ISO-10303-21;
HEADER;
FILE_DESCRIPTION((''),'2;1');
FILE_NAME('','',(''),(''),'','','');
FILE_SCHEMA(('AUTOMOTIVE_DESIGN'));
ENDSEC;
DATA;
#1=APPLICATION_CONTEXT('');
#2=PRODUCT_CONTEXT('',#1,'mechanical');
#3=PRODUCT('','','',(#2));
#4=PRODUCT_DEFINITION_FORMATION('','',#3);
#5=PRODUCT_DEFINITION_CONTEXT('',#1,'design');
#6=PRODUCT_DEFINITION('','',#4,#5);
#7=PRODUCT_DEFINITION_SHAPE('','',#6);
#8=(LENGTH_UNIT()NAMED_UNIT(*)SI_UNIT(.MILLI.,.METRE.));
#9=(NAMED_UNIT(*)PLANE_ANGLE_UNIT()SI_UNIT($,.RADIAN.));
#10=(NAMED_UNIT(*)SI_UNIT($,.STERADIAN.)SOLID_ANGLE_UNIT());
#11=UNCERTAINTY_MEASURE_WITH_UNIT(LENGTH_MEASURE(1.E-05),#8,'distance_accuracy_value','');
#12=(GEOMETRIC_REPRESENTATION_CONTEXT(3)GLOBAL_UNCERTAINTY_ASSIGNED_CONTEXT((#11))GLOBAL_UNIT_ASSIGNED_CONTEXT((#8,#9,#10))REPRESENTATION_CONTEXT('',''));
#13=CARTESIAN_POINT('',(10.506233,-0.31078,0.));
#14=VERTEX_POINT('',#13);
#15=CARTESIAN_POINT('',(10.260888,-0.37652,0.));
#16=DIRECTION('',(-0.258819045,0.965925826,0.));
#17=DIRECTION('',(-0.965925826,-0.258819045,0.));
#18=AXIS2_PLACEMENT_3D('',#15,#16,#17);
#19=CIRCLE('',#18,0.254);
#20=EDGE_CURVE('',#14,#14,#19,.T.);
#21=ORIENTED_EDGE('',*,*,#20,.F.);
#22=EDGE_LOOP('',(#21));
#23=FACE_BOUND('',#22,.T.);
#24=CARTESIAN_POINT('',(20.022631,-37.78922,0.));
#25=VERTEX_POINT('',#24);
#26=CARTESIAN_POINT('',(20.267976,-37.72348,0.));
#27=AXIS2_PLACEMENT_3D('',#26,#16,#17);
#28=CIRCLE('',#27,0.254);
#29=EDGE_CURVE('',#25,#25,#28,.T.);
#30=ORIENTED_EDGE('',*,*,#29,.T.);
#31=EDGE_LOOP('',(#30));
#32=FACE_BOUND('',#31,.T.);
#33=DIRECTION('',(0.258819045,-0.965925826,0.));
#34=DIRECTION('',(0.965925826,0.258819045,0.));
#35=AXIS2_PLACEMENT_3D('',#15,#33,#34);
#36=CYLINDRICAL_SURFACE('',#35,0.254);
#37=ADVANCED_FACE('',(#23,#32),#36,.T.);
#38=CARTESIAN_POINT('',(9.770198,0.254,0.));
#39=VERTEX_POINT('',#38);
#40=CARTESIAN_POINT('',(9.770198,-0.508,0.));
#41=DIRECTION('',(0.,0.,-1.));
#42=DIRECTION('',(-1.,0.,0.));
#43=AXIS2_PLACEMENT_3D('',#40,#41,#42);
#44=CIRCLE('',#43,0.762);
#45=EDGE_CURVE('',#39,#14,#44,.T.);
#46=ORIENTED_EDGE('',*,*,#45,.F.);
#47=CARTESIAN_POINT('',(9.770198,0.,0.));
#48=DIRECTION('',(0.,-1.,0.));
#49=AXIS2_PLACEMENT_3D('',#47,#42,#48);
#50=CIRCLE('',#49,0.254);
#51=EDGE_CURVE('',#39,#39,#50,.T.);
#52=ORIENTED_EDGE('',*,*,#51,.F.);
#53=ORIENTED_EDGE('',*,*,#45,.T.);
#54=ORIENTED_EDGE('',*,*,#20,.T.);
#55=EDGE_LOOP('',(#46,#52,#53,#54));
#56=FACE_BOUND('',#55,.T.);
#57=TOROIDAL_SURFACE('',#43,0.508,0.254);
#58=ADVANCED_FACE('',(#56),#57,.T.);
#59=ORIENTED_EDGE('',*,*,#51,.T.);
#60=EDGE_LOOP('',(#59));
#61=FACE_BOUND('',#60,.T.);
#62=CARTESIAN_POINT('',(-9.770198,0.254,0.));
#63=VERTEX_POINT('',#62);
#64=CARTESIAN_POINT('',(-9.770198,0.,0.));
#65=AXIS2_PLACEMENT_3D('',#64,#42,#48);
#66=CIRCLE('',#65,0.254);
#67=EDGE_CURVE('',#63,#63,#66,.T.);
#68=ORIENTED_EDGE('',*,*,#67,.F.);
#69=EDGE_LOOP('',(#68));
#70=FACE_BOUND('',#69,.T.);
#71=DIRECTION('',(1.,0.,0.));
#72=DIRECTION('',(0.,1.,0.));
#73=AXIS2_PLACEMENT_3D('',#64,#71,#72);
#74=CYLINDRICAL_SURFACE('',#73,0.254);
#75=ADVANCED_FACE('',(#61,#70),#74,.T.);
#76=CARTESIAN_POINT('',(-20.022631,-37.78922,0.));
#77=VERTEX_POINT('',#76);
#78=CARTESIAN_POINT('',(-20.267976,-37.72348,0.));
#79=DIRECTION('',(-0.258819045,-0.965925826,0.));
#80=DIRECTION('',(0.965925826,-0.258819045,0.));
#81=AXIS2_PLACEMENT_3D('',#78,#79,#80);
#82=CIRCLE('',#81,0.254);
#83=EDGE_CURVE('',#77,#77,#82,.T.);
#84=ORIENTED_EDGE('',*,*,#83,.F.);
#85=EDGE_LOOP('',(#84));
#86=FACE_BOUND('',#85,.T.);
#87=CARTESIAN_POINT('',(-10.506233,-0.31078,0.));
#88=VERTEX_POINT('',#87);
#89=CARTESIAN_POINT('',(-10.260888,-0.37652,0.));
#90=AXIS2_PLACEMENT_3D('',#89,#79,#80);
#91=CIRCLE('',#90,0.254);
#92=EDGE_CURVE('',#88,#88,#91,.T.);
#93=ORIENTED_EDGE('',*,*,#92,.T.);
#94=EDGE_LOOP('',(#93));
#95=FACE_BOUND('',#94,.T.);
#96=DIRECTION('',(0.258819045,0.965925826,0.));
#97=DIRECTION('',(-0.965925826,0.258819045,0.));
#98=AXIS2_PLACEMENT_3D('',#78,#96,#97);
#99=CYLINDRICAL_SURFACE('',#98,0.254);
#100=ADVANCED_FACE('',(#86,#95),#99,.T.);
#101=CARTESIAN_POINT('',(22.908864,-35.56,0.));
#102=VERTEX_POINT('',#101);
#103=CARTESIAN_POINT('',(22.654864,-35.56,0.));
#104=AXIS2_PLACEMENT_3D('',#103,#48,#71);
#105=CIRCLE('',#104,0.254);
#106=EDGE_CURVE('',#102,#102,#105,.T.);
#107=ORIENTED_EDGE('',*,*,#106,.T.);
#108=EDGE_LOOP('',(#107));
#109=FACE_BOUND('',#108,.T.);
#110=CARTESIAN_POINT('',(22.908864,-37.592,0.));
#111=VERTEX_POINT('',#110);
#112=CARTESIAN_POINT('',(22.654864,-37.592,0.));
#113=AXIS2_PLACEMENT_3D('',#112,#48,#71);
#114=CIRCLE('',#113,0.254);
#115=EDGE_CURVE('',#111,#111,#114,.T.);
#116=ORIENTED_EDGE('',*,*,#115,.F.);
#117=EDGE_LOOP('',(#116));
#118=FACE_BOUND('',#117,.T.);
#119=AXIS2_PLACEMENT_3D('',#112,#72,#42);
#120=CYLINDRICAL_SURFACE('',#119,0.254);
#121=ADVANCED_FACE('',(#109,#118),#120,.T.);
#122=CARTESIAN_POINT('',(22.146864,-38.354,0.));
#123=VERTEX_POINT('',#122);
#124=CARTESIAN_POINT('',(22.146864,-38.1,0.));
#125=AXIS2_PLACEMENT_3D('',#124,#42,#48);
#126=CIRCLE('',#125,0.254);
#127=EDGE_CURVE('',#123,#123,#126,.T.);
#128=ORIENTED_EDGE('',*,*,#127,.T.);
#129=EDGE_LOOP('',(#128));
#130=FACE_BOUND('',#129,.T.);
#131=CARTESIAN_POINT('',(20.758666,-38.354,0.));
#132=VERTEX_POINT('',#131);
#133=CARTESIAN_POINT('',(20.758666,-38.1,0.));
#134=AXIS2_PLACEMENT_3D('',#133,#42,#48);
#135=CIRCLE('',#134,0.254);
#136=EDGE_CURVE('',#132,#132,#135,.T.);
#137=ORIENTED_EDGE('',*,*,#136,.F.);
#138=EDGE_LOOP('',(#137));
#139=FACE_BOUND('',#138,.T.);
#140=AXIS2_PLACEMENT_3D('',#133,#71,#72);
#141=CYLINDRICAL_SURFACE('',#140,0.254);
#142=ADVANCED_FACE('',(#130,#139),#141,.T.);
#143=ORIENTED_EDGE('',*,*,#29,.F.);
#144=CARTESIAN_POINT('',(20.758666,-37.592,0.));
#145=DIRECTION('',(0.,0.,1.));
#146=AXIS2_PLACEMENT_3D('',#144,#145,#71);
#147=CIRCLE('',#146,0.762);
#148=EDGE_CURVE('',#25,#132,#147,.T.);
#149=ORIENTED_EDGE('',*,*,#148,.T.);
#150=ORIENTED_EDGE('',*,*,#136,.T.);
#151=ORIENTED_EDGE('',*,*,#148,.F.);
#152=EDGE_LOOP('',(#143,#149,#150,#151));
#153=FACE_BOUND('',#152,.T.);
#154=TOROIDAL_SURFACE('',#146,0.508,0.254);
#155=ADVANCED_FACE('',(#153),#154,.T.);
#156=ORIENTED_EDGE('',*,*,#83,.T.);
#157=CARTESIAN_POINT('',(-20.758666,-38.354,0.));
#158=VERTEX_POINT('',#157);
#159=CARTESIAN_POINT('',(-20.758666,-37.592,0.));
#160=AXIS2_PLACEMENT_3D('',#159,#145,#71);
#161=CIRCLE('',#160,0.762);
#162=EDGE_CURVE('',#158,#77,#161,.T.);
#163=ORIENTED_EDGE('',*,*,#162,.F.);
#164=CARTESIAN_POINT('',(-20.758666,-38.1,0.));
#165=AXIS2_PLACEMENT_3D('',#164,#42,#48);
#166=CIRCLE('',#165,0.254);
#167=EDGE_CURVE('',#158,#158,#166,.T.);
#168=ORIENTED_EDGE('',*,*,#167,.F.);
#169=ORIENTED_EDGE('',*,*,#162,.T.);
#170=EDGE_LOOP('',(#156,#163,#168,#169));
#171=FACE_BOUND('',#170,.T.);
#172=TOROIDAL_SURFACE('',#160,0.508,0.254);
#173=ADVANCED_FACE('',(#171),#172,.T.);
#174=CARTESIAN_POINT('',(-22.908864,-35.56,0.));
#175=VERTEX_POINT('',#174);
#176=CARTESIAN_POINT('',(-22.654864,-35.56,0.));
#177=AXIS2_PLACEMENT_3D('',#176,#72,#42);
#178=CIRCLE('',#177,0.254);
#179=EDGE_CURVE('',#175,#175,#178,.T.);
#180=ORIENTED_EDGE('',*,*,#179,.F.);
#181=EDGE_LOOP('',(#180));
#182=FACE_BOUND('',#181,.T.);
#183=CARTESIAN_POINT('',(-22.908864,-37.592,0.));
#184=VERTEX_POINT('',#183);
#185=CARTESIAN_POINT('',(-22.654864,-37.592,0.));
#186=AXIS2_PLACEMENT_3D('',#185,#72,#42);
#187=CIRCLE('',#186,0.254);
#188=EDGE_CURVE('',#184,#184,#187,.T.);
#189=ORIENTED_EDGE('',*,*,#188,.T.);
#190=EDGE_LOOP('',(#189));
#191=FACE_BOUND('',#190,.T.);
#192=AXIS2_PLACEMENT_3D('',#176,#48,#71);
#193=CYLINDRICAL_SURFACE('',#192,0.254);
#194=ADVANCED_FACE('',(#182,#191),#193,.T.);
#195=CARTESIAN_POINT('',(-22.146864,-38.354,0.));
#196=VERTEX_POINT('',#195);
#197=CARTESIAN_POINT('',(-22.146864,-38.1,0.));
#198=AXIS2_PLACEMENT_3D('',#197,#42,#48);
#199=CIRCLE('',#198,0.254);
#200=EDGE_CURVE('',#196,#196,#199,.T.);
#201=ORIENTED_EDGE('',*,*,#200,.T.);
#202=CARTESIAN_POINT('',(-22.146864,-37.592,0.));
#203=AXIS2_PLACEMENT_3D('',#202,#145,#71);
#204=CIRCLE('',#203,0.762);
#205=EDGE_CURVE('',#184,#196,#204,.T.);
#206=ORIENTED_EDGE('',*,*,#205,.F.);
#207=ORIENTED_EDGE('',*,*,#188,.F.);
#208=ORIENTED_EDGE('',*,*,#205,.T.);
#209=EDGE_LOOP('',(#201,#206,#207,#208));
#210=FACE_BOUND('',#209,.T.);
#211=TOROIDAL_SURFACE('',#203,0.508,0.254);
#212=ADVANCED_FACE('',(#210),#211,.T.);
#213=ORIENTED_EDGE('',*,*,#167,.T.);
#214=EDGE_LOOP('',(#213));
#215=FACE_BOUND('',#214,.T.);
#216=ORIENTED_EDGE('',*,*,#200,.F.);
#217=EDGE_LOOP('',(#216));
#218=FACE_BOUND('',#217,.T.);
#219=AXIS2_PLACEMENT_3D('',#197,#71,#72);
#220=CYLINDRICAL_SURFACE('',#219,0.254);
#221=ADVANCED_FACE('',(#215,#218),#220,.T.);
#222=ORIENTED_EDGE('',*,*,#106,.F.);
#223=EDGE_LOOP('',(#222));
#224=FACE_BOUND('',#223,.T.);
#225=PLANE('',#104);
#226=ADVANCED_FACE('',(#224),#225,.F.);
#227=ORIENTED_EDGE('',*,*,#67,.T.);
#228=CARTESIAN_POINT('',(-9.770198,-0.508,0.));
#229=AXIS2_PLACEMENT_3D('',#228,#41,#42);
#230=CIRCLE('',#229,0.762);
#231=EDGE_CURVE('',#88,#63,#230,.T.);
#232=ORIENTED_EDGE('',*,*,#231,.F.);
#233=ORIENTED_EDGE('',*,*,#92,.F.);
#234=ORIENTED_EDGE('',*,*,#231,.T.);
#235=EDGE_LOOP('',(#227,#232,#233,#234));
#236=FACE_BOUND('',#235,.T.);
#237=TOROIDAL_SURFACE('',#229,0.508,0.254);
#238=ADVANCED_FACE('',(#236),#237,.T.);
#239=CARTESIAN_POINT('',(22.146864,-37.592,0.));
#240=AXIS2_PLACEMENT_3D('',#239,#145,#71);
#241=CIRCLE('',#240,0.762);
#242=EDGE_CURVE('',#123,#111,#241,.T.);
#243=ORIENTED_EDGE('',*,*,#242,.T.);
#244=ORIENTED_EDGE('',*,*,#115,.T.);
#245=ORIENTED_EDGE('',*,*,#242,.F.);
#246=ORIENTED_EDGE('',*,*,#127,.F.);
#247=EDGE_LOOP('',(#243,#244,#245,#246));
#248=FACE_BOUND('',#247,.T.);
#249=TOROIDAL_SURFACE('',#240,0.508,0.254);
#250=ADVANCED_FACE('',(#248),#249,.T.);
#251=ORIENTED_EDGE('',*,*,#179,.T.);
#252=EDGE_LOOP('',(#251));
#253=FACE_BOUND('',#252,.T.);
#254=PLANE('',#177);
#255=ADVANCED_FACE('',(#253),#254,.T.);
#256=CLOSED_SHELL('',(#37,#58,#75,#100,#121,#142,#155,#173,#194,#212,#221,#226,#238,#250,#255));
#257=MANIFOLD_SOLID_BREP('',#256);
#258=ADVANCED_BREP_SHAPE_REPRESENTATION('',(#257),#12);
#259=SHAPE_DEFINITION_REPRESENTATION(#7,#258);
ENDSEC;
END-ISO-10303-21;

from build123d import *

# Parameters (mm, degrees)
SWEEP1_PROFILE_R = 0.254


with BuildPart() as part:
    # Sweep1: sweep along a path in Sketch1
    with BuildLine(Plane.XY) as sweep1_path:
        Line((-22.654864232, -35.56), (-22.654864232, -37.592))
        ThreePointArc((-22.654864232, -37.592), (-22.506074476, -37.951210245), (-22.146864232, -38.1))
        Line((-22.146864232, -38.1), (-20.758666342, -38.1))
        ThreePointArc((-20.758666342, -38.1), (-20.449415536, -37.995023497), (-20.267976022, -37.723480075))
        Line((-20.267976022, -37.723480075), (-10.26088821, -0.376519925))
        ThreePointArc((-10.26088821, -0.376519925), (-10.079448696, -0.104976503), (-9.77019789, 0))
        Line((-9.77019789, 0), (9.77019789, 0))
        ThreePointArc((9.77019789, 0), (10.079448696, -0.104976503), (10.26088821, -0.376519925))
        Line((10.26088821, -0.376519925), (20.267976022, -37.723480075))
        ThreePointArc((20.267976022, -37.723480075), (20.449415536, -37.995023497), (20.758666342, -38.1))
        Line((20.758666342, -38.1), (22.146864232, -38.1))
        ThreePointArc((22.146864232, -38.1), (22.506074476, -37.951210245), (22.654864232, -37.592))
        Line((22.654864232, -37.592), (22.654864232, -35.56))
    # Sweep1 profile (on start of the path) → Sweep1 (sweep)
    with BuildSketch(Plane(origin=(-22.654864232, -35.56, 0), x_dir=(-1, 0, 0), z_dir=(0, -1, 0))):
        Circle(SWEEP1_PROFILE_R)
    sweep(path=sweep1_path.line)


solid = part.part
